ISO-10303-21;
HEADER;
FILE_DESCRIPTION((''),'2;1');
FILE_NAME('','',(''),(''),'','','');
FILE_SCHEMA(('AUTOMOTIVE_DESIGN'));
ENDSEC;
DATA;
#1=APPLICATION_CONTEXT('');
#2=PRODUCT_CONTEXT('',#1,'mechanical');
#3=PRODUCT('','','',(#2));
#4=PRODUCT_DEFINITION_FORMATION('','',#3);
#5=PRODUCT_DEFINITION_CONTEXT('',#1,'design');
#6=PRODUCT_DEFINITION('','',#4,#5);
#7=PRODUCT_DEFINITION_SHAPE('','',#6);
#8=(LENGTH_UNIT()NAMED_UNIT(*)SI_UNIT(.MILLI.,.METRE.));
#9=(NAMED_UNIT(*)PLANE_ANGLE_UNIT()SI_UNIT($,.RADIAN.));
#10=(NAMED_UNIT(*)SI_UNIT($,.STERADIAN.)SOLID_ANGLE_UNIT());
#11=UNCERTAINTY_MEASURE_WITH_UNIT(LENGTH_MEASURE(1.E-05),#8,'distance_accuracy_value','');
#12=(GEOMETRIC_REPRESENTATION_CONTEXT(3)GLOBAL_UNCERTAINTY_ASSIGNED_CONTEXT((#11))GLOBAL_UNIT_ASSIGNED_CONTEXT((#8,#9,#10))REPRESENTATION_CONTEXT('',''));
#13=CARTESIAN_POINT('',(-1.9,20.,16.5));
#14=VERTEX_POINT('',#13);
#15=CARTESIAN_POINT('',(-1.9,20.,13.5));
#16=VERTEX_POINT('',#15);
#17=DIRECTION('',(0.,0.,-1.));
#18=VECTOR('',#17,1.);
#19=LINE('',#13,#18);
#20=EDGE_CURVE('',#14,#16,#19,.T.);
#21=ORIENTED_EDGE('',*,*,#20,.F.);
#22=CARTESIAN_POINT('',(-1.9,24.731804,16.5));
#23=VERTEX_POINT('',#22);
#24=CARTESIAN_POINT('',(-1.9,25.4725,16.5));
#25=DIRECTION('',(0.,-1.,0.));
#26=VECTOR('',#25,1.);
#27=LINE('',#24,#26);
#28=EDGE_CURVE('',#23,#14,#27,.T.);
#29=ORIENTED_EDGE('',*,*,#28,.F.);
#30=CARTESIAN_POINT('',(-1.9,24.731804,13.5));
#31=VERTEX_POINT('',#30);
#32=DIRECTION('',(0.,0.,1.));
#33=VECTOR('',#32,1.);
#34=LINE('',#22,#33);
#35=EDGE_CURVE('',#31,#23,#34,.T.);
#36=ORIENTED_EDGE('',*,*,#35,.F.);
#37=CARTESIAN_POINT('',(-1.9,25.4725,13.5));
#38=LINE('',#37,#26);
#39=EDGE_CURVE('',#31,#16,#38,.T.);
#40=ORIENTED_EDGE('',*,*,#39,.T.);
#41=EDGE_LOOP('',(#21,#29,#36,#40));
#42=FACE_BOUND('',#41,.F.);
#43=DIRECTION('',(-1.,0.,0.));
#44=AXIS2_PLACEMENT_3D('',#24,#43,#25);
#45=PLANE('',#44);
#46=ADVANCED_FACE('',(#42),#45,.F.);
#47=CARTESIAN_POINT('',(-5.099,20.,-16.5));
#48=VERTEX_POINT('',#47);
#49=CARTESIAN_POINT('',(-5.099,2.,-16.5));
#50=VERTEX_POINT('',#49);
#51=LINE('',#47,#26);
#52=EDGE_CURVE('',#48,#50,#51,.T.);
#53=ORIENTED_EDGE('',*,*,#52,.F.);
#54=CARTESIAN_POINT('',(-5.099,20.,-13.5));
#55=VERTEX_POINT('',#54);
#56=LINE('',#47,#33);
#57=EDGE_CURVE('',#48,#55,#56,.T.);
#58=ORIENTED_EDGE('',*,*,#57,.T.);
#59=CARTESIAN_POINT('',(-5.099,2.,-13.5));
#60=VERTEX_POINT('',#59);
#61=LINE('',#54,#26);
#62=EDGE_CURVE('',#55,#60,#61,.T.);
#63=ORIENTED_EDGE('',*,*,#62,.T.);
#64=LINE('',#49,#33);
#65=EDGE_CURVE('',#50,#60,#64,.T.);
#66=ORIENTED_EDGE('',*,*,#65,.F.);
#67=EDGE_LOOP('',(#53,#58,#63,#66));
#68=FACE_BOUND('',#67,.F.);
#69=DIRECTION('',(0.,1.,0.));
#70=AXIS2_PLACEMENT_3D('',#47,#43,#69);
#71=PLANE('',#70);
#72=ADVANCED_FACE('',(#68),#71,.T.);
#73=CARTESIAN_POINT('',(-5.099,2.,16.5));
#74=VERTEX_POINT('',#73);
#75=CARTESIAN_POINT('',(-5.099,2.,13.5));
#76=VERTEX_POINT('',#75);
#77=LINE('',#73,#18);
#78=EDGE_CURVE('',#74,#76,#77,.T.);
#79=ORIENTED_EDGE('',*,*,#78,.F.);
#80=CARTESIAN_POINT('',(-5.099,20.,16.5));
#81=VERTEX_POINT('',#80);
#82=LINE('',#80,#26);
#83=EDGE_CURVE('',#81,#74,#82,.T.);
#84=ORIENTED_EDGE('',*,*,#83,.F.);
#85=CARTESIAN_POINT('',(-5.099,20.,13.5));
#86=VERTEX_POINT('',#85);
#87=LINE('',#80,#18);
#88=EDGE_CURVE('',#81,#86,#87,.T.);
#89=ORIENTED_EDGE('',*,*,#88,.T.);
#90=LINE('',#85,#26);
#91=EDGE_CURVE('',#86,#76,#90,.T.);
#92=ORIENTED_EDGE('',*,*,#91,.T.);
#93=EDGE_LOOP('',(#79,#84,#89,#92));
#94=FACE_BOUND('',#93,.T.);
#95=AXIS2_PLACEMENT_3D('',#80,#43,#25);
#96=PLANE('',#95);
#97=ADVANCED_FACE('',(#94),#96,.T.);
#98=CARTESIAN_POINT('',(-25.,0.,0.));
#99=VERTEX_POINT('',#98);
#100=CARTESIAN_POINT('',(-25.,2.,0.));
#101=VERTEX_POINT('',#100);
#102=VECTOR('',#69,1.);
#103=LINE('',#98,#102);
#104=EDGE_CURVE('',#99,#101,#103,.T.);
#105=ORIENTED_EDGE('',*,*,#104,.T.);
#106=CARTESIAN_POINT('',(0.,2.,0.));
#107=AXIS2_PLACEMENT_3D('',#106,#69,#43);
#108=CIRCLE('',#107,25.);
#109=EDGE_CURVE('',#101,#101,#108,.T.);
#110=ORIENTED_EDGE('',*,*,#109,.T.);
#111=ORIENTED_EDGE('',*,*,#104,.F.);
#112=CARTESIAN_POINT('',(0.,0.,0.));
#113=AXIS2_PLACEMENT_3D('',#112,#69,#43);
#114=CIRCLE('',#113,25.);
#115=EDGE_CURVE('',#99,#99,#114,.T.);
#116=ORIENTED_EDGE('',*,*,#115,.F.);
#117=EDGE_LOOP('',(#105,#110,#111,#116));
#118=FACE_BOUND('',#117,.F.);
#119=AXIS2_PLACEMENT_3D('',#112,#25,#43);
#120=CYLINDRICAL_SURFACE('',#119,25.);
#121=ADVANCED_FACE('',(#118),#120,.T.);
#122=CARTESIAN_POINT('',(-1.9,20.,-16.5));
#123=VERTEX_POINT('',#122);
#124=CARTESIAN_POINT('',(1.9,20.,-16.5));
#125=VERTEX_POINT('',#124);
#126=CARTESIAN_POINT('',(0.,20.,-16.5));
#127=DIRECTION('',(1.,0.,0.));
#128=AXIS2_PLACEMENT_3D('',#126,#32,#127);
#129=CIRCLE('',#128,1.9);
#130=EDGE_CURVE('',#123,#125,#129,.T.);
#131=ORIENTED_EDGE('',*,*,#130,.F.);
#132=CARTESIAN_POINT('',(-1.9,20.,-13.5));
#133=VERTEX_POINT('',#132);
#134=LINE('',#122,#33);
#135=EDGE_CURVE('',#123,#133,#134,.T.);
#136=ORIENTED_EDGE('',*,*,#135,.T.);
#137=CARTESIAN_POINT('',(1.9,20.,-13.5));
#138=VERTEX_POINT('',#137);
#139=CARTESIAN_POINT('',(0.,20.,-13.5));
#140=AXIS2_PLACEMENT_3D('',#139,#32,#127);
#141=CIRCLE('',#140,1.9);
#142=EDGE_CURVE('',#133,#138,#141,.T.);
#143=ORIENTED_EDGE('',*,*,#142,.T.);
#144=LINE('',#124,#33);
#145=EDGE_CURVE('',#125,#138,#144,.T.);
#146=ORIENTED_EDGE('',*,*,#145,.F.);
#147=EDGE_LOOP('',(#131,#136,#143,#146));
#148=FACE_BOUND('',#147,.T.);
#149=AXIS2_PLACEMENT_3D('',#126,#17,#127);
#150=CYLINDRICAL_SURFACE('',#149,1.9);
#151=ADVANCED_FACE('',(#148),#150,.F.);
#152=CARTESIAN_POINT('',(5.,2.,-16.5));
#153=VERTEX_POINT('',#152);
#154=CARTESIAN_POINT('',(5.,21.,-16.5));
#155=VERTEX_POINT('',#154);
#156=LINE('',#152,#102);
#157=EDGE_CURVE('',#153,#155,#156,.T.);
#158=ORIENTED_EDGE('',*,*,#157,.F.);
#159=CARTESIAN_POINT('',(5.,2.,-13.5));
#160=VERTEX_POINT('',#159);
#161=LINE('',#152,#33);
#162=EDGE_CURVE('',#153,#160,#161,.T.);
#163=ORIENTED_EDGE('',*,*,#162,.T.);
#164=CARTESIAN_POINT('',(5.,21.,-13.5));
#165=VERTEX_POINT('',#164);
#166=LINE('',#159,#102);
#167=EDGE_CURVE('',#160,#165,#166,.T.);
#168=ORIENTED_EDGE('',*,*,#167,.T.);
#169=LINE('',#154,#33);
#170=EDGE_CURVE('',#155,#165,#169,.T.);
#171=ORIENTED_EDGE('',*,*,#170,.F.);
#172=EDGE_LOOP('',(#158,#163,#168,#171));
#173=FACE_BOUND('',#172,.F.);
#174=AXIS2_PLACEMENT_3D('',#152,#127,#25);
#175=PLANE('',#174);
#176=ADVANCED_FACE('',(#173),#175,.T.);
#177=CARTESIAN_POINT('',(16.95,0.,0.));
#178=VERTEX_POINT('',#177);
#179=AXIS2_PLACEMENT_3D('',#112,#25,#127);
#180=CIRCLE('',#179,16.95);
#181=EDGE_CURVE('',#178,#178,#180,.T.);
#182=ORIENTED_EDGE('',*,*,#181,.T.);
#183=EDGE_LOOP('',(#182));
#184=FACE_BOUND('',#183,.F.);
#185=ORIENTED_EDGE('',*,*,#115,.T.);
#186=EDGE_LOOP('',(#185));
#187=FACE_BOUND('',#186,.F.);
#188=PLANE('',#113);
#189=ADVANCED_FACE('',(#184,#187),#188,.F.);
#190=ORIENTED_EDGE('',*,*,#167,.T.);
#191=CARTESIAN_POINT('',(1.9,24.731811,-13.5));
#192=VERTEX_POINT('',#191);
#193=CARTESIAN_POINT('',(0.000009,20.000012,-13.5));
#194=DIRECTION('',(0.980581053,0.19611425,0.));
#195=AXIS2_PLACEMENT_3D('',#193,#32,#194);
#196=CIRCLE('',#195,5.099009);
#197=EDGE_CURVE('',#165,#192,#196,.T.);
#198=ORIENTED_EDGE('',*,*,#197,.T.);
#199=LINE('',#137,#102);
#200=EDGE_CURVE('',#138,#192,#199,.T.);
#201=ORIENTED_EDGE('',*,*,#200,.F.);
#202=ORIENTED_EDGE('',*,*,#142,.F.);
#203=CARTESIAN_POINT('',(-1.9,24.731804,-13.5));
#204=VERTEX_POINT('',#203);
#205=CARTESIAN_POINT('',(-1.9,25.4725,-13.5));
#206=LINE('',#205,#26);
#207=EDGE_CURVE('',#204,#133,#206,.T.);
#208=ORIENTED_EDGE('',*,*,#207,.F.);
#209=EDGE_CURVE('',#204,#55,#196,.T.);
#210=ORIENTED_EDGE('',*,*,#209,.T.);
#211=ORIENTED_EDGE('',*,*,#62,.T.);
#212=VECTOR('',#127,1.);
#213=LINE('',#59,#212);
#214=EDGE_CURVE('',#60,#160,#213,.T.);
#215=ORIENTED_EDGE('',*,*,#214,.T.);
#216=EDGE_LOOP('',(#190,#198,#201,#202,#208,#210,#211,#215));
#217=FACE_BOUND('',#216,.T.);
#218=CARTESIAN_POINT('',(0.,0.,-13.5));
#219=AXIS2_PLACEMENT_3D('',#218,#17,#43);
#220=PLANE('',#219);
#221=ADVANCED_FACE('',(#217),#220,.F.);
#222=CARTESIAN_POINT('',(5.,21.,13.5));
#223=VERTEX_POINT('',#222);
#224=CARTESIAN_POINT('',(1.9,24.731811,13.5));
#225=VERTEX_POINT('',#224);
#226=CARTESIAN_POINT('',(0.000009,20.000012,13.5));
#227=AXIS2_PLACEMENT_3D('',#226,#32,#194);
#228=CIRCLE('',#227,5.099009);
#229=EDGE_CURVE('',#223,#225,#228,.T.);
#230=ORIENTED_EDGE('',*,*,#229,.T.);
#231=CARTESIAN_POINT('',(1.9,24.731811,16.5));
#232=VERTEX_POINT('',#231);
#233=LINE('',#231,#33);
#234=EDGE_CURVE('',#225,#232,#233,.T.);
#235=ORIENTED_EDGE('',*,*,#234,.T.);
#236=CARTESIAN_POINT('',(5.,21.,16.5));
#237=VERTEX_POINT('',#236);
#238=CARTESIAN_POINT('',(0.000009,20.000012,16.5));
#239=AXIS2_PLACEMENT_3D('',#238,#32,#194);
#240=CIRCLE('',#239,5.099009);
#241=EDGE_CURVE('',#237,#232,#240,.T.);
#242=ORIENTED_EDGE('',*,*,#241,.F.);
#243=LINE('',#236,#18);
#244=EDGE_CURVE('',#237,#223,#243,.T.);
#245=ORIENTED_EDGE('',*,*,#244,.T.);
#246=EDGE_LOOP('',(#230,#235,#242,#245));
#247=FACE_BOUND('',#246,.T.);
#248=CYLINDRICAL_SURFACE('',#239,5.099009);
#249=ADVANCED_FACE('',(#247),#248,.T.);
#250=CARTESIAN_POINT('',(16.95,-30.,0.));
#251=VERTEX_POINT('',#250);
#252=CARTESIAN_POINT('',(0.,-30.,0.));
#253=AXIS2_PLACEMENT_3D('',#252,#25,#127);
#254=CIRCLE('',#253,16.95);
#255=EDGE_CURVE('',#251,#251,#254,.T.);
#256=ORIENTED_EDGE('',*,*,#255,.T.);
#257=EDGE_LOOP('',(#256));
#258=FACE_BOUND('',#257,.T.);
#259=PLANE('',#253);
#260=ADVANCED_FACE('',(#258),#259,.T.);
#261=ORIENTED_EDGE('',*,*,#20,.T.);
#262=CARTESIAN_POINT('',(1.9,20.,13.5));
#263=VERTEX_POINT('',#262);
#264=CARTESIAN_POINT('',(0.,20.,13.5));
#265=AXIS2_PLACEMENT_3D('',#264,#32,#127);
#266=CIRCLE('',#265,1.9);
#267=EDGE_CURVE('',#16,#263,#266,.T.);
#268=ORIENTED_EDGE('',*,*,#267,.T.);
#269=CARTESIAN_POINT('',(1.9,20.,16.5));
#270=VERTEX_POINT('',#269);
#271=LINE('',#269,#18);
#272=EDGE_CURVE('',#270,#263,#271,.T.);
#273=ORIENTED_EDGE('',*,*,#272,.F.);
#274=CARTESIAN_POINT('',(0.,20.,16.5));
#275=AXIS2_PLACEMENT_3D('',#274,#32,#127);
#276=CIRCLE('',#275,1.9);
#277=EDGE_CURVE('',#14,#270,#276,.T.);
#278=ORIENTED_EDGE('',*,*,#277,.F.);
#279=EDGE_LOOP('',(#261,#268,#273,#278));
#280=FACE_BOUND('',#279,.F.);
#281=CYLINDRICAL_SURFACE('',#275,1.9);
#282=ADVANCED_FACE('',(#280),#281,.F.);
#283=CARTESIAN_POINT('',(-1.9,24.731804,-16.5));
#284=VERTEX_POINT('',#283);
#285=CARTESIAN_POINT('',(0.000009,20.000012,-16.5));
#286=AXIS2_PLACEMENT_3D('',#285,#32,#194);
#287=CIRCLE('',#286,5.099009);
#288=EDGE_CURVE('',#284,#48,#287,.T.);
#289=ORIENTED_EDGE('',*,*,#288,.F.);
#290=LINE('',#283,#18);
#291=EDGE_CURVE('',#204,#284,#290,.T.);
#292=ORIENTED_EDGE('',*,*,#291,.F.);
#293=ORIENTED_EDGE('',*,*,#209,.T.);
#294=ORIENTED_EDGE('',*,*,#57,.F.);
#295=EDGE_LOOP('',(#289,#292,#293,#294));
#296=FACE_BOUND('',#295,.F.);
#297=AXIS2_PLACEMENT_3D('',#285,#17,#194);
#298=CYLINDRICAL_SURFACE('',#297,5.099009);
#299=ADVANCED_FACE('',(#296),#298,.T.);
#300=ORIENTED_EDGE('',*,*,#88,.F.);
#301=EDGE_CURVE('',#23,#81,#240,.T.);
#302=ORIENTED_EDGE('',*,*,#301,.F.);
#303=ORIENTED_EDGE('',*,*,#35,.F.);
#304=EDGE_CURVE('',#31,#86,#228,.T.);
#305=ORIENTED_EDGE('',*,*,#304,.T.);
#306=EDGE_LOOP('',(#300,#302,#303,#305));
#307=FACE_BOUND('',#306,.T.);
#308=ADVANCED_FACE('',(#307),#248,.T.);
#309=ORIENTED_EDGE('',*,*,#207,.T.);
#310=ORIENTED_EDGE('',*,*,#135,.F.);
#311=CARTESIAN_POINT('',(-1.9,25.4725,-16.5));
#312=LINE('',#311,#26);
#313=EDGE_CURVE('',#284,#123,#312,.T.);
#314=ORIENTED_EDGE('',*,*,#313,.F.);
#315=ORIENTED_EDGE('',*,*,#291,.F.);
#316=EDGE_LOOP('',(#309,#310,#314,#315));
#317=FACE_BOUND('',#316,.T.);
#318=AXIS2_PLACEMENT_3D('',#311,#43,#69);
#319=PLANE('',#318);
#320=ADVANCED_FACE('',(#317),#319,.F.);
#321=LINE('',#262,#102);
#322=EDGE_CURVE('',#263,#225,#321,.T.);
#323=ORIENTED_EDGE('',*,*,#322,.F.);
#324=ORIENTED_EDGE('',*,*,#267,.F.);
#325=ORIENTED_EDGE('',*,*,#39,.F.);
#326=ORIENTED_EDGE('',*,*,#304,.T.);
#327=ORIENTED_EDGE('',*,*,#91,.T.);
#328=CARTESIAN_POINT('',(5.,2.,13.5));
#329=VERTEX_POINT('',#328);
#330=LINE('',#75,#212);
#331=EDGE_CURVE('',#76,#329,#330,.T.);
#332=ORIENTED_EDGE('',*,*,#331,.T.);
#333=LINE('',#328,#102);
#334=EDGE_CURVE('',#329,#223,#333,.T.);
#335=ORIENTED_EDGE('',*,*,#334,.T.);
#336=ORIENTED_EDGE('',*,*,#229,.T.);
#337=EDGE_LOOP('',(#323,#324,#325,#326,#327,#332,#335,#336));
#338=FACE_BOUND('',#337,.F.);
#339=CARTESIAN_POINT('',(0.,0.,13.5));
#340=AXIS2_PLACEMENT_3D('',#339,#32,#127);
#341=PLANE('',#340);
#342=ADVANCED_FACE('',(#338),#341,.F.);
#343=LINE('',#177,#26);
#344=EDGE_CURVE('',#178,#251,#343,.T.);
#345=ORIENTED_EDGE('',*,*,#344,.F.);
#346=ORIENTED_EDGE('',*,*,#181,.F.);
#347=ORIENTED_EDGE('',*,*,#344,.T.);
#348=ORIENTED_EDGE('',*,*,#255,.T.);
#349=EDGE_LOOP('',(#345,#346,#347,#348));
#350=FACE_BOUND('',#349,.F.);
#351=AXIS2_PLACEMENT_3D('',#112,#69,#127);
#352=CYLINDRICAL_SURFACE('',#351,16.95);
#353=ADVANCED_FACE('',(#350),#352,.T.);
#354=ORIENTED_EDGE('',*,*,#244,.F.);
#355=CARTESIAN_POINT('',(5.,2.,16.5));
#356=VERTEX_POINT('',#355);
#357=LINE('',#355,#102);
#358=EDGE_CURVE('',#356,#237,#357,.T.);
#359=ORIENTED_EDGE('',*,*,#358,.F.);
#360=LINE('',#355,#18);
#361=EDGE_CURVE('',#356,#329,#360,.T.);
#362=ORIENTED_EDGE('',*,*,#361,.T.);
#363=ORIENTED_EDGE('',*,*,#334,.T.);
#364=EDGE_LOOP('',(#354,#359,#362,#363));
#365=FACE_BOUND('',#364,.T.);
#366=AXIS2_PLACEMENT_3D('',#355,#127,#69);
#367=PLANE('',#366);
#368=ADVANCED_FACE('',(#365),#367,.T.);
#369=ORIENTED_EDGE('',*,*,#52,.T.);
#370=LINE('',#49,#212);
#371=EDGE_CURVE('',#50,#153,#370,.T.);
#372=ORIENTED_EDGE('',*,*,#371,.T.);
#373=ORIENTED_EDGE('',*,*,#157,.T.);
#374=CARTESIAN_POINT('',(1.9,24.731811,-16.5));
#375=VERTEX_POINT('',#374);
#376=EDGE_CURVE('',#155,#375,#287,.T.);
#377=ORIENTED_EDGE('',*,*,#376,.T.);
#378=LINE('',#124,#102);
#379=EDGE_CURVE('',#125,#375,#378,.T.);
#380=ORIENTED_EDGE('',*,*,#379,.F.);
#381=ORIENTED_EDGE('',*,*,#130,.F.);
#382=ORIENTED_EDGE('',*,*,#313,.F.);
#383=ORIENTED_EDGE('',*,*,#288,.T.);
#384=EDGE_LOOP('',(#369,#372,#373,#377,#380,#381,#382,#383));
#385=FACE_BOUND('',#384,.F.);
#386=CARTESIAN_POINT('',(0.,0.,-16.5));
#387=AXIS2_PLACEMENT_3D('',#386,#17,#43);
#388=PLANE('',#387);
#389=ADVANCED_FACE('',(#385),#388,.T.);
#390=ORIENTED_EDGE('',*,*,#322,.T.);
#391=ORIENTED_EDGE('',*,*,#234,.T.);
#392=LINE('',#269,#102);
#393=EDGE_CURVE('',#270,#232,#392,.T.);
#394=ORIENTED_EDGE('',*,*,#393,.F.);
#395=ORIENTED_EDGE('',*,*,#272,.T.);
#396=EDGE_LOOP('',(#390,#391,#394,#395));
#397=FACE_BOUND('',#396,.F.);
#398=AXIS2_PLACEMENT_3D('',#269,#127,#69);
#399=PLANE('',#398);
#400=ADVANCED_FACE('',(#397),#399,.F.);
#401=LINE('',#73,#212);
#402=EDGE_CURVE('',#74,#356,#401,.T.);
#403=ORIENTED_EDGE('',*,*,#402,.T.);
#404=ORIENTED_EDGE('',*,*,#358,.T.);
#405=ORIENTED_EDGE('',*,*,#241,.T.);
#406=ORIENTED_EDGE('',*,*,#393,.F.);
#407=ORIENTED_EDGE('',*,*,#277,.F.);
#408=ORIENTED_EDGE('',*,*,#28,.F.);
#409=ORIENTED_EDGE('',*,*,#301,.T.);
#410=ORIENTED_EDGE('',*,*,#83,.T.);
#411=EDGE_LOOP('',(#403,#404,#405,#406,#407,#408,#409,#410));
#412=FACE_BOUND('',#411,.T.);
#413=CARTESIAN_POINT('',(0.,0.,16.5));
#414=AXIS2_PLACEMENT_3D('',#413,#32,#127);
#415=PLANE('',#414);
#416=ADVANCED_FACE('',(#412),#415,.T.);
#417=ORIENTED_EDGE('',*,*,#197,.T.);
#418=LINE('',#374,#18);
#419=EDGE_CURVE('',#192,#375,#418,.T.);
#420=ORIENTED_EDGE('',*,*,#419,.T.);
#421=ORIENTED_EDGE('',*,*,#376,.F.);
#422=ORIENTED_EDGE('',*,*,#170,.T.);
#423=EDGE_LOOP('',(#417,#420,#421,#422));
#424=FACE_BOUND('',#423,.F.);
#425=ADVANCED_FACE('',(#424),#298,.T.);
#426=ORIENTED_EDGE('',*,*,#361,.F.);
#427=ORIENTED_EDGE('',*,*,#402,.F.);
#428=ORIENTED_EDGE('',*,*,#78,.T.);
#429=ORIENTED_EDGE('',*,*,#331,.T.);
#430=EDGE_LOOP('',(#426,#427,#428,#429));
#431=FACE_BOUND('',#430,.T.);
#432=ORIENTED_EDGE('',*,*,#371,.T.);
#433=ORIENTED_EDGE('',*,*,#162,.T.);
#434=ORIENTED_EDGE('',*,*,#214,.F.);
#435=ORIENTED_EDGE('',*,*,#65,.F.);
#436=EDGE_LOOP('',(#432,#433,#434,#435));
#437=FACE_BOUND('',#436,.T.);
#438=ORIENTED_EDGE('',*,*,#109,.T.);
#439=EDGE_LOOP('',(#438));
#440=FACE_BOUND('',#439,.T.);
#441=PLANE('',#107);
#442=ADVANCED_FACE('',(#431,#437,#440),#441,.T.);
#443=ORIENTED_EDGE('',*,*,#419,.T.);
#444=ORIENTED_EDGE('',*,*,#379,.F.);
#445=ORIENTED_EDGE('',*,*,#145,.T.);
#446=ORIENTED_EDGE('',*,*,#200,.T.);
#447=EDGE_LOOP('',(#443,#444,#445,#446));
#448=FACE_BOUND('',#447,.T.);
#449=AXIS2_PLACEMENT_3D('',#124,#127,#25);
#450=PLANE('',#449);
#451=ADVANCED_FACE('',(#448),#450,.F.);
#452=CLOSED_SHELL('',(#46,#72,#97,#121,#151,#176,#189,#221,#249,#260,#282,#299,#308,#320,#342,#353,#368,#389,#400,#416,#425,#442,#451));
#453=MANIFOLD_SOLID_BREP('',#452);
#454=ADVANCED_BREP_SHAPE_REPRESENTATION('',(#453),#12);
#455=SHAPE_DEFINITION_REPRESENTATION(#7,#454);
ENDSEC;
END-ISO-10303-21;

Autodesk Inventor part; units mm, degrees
ref_plane "YZ Plane" through (0, 0, 0) normal (1, 0, 0) x (0, 1, 0)
ref_plane "XZ Plane" through (0, 0, 0) normal (0, 1, 0) x (-1, 0, 0)
sketch "Sketch1" plane through (0, 0, 0) normal (0, 1, 0) x (-1, 0, 0)
  circle A0 centre (0, 0) radius 25
  dimension "d12" = 50
extrude "Extrusion1" add sketch "Sketch1" along normal blind 2
mirror "Mirror1" about plane through (0, 0, 0) normal (0, 0, 1)
ref_plane "Work Plane2" through (0, 0, 16.5) normal (0, 0, 1) x (1, 0, 0)
sketch "Sketch9" plane through (0, 0, 16.5) normal (0, 0, 1) x (1, 0, 0)
  line L0 (-5.099, 2) -> (5, 2)
  line L1 (5, 2) -> (5, 21)
  line L2 (-5.099, 20) -> (-5.099, 2)
  line L3 (0, -1.6) -> (0, 30.6) construction
  arc A0 (5, 21) -> (-5.099, 20) centre (0, 20) ccw
  circle A1 centre (0, 20) radius 1.9
  line L4 (25, 2) -> (-25, 2) projected
  dimension "d19" = 5
  dimension "d20" = 3.8
  dimension "d65" = 0
  dimension "d66" = 18
extrude "Extrusion3" add sketch "Sketch9" against normal blind 3
sketch "Sketch20" plane through (0, 0, 16.5) normal (0, 0, 1) x (1, 0, 0)
  circle A0 centre (0, 20) radius 1.9 projected
  line L0 (-1.9, 20) -> (1.9, 20)
  line L1 (1.9, 20) -> (1.9, 25.4725)
  line L2 (1.9, 25.4725) -> (-1.9, 25.4725)
  line L3 (-1.9, 25.4725) -> (-1.9, 20)
  point P0 (0, 0)
extrude "Extrusion14" cut sketch "Sketch20" against normal blind 3 contours A0 L3 L2 L1
mirror "Mirror5" about plane through (0, 0, 0) normal (0, 0, 1) of "Extrusion3", "Extrusion14"
sketch "Sketch21" plane through (0, 0, 0) normal (0, -1, 0) x (1, 0, 0)
  circle A0 centre (0, 0) radius 16.95
  dimension "d62" = 33.9
extrude "Extrusion15" add sketch "Sketch21" along normal blind 30
ref_plane "Work Plane1" through (0, 0, 0) normal (0, 0, 1) x (1, 0, 0)
properties part number "BaseComple"
